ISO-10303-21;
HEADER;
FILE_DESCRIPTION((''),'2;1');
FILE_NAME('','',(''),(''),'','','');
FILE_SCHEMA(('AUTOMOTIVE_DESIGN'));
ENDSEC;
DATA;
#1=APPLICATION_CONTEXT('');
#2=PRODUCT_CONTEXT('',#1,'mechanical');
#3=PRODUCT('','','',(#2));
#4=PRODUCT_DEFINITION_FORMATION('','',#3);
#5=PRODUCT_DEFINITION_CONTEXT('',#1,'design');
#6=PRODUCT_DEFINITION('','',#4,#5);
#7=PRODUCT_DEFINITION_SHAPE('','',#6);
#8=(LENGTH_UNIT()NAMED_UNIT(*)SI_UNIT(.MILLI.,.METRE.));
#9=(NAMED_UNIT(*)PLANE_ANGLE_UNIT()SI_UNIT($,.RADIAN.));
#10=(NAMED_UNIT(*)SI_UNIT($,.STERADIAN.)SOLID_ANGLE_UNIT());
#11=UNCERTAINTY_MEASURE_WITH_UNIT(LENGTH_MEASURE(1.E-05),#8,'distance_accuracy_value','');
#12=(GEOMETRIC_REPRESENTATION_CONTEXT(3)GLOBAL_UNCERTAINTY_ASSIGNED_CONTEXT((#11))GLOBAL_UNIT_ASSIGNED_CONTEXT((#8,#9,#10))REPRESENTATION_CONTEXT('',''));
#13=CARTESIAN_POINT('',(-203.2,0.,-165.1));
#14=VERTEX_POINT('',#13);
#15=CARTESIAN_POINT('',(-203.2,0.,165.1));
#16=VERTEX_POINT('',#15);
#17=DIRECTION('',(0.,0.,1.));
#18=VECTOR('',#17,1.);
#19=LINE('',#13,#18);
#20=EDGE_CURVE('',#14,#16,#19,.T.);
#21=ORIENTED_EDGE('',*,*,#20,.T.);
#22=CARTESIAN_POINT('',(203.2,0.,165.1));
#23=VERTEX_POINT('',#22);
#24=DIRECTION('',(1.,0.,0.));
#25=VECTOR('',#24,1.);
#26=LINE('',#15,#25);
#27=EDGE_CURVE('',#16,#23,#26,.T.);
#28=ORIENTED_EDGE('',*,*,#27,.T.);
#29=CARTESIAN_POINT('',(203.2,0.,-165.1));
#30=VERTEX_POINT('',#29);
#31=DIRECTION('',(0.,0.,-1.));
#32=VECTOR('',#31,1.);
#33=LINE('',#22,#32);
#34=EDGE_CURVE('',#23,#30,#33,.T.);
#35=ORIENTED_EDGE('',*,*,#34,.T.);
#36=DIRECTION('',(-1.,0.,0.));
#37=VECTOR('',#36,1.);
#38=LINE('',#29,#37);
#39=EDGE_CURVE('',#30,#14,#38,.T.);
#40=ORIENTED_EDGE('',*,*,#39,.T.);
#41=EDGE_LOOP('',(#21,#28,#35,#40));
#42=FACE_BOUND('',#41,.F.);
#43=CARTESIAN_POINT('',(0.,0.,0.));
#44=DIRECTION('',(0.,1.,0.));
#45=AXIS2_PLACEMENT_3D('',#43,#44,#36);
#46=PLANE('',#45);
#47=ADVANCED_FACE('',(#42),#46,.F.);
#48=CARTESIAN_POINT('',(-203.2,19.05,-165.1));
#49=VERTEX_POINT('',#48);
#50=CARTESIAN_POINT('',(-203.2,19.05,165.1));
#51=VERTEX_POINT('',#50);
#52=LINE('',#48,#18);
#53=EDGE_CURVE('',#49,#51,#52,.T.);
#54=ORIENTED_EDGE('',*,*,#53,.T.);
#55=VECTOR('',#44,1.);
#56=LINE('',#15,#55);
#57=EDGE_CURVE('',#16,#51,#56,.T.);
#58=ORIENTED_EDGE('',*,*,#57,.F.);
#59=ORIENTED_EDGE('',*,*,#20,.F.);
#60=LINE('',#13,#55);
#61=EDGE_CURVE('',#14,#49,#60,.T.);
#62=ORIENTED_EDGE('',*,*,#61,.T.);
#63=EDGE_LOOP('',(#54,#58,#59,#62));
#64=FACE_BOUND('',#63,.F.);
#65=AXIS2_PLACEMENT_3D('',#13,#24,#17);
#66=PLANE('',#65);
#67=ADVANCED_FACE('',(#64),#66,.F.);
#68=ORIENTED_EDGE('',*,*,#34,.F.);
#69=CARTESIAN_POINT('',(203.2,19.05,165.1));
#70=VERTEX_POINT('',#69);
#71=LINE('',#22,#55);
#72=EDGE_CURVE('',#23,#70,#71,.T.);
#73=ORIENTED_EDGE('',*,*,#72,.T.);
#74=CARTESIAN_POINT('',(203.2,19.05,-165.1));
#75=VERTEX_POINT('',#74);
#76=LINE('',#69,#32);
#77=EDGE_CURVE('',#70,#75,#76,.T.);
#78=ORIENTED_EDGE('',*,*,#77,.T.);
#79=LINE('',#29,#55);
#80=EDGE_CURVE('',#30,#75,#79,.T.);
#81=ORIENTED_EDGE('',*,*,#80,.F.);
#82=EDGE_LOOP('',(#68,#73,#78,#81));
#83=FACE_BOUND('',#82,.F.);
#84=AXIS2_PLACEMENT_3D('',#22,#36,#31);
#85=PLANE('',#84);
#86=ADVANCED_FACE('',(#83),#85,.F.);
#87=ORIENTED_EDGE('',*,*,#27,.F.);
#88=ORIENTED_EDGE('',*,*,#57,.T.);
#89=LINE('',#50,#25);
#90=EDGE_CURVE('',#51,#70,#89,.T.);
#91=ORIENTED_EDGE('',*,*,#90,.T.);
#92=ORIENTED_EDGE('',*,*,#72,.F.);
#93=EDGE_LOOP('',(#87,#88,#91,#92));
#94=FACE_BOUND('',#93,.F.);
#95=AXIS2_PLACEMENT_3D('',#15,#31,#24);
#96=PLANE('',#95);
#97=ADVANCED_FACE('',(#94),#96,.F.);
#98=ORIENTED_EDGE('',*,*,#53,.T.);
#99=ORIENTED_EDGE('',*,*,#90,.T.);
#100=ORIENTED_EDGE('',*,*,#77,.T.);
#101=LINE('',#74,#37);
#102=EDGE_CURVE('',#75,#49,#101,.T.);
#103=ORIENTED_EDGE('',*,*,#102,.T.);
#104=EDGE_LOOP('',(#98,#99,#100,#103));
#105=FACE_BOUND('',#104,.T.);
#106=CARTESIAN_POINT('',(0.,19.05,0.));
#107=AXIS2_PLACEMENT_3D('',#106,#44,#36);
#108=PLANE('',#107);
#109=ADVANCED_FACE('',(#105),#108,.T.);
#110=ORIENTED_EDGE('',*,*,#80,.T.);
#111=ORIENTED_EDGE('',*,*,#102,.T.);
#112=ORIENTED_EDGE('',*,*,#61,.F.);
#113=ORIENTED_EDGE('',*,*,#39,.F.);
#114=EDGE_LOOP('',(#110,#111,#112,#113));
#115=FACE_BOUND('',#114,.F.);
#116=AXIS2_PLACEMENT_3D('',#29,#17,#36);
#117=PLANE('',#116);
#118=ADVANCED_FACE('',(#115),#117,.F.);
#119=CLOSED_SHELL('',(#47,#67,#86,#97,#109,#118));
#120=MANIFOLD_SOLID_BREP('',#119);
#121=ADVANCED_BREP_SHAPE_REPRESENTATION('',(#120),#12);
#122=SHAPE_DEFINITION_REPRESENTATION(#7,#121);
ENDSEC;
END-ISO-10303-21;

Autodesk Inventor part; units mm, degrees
ref_plane "XZ Plane" through (0, 0, 0) normal (0, 1, 0) x (-1, 0, 0)
ref_plane "XY Plane" through (0, 0, 0) normal (0, 0, 1) x (1, 0, 0)
sketch "Sketch1" plane through (0, 0, 0) normal (0, 1, 0) x (-1, 0, 0)
  line L0 (-203.2, 165.1) -> (-203.2, -165.1)
  line L1 (-203.2, -165.1) -> (203.2, -165.1)
  line L2 (203.2, -165.1) -> (203.2, 165.1)
  line L3 (203.2, 165.1) -> (-203.2, 165.1)
  line L4 (-203.2, 165.1) -> (203.2, -165.1) construction
  line L5 (-203.2, -165.1) -> (203.2, 165.1) construction
  point P0 (0, 0)
  dimension "d0" = 330.2
  dimension "d1" = 406.4
extrude "Extrusion1" add sketch "Sketch1" along normal blind 19.05
equation "\"d0\" = frontPlateLength"
equation "\"d1\" = frontPlateWidth"
equation "\"d2\" = frontPlateThickness"
equation "\"frontPlateWidth\" = 406.4"
equation "\"frontPlateLength\" = 330.2"
equation "\"frontPlateThickness\" = 19.05"
properties part number "frontPlate" material "Wood (Walnut)"
